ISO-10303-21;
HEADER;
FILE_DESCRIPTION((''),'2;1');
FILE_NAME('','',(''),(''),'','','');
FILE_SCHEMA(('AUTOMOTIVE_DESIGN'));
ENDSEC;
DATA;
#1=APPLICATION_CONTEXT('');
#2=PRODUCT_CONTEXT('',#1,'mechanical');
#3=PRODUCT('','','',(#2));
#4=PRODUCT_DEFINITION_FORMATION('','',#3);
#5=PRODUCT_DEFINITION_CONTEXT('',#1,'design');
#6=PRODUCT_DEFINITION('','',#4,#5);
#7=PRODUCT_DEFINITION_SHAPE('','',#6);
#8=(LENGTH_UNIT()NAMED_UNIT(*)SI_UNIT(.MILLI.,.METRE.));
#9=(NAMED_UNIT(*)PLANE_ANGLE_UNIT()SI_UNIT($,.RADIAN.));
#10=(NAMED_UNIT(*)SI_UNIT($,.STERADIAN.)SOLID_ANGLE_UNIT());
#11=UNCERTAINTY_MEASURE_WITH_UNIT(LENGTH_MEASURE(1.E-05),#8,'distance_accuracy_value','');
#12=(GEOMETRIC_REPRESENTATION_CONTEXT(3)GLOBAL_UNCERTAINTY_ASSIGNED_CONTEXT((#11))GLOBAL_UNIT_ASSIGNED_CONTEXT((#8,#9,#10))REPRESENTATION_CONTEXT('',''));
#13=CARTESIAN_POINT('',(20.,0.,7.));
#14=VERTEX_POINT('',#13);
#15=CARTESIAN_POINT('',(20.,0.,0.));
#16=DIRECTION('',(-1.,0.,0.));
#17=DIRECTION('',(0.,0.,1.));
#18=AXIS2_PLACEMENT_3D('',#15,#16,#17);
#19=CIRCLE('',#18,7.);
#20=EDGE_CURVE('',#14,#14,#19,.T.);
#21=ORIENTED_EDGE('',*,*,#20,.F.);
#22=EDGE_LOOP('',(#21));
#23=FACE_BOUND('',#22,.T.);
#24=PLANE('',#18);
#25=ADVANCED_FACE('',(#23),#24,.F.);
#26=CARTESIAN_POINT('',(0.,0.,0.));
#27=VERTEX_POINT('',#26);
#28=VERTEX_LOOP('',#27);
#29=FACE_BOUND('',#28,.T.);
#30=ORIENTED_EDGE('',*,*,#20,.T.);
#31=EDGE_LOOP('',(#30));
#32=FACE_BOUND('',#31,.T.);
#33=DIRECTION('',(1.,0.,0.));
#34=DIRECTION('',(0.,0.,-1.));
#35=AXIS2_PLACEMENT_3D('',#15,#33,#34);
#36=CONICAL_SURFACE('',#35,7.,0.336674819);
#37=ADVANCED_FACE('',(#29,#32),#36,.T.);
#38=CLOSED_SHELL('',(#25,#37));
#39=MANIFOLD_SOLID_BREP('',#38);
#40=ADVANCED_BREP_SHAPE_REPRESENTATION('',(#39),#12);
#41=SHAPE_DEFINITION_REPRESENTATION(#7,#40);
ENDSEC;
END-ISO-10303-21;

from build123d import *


with BuildPart() as part:
    # Sketch1 → Revolve1 (revolve)
    with BuildSketch(Plane.XY, mode=Mode.PRIVATE) as revolve1_sk:
        Polygon((0, 0), (20, 7), (20, 0), align=None)
    revolve(revolve1_sk.sketch.rotate(Axis((0, 0, 0), (1, 0, 0)), 270), axis=Axis((0, 0, 0), (1, 0, 0)))


solid = part.part
